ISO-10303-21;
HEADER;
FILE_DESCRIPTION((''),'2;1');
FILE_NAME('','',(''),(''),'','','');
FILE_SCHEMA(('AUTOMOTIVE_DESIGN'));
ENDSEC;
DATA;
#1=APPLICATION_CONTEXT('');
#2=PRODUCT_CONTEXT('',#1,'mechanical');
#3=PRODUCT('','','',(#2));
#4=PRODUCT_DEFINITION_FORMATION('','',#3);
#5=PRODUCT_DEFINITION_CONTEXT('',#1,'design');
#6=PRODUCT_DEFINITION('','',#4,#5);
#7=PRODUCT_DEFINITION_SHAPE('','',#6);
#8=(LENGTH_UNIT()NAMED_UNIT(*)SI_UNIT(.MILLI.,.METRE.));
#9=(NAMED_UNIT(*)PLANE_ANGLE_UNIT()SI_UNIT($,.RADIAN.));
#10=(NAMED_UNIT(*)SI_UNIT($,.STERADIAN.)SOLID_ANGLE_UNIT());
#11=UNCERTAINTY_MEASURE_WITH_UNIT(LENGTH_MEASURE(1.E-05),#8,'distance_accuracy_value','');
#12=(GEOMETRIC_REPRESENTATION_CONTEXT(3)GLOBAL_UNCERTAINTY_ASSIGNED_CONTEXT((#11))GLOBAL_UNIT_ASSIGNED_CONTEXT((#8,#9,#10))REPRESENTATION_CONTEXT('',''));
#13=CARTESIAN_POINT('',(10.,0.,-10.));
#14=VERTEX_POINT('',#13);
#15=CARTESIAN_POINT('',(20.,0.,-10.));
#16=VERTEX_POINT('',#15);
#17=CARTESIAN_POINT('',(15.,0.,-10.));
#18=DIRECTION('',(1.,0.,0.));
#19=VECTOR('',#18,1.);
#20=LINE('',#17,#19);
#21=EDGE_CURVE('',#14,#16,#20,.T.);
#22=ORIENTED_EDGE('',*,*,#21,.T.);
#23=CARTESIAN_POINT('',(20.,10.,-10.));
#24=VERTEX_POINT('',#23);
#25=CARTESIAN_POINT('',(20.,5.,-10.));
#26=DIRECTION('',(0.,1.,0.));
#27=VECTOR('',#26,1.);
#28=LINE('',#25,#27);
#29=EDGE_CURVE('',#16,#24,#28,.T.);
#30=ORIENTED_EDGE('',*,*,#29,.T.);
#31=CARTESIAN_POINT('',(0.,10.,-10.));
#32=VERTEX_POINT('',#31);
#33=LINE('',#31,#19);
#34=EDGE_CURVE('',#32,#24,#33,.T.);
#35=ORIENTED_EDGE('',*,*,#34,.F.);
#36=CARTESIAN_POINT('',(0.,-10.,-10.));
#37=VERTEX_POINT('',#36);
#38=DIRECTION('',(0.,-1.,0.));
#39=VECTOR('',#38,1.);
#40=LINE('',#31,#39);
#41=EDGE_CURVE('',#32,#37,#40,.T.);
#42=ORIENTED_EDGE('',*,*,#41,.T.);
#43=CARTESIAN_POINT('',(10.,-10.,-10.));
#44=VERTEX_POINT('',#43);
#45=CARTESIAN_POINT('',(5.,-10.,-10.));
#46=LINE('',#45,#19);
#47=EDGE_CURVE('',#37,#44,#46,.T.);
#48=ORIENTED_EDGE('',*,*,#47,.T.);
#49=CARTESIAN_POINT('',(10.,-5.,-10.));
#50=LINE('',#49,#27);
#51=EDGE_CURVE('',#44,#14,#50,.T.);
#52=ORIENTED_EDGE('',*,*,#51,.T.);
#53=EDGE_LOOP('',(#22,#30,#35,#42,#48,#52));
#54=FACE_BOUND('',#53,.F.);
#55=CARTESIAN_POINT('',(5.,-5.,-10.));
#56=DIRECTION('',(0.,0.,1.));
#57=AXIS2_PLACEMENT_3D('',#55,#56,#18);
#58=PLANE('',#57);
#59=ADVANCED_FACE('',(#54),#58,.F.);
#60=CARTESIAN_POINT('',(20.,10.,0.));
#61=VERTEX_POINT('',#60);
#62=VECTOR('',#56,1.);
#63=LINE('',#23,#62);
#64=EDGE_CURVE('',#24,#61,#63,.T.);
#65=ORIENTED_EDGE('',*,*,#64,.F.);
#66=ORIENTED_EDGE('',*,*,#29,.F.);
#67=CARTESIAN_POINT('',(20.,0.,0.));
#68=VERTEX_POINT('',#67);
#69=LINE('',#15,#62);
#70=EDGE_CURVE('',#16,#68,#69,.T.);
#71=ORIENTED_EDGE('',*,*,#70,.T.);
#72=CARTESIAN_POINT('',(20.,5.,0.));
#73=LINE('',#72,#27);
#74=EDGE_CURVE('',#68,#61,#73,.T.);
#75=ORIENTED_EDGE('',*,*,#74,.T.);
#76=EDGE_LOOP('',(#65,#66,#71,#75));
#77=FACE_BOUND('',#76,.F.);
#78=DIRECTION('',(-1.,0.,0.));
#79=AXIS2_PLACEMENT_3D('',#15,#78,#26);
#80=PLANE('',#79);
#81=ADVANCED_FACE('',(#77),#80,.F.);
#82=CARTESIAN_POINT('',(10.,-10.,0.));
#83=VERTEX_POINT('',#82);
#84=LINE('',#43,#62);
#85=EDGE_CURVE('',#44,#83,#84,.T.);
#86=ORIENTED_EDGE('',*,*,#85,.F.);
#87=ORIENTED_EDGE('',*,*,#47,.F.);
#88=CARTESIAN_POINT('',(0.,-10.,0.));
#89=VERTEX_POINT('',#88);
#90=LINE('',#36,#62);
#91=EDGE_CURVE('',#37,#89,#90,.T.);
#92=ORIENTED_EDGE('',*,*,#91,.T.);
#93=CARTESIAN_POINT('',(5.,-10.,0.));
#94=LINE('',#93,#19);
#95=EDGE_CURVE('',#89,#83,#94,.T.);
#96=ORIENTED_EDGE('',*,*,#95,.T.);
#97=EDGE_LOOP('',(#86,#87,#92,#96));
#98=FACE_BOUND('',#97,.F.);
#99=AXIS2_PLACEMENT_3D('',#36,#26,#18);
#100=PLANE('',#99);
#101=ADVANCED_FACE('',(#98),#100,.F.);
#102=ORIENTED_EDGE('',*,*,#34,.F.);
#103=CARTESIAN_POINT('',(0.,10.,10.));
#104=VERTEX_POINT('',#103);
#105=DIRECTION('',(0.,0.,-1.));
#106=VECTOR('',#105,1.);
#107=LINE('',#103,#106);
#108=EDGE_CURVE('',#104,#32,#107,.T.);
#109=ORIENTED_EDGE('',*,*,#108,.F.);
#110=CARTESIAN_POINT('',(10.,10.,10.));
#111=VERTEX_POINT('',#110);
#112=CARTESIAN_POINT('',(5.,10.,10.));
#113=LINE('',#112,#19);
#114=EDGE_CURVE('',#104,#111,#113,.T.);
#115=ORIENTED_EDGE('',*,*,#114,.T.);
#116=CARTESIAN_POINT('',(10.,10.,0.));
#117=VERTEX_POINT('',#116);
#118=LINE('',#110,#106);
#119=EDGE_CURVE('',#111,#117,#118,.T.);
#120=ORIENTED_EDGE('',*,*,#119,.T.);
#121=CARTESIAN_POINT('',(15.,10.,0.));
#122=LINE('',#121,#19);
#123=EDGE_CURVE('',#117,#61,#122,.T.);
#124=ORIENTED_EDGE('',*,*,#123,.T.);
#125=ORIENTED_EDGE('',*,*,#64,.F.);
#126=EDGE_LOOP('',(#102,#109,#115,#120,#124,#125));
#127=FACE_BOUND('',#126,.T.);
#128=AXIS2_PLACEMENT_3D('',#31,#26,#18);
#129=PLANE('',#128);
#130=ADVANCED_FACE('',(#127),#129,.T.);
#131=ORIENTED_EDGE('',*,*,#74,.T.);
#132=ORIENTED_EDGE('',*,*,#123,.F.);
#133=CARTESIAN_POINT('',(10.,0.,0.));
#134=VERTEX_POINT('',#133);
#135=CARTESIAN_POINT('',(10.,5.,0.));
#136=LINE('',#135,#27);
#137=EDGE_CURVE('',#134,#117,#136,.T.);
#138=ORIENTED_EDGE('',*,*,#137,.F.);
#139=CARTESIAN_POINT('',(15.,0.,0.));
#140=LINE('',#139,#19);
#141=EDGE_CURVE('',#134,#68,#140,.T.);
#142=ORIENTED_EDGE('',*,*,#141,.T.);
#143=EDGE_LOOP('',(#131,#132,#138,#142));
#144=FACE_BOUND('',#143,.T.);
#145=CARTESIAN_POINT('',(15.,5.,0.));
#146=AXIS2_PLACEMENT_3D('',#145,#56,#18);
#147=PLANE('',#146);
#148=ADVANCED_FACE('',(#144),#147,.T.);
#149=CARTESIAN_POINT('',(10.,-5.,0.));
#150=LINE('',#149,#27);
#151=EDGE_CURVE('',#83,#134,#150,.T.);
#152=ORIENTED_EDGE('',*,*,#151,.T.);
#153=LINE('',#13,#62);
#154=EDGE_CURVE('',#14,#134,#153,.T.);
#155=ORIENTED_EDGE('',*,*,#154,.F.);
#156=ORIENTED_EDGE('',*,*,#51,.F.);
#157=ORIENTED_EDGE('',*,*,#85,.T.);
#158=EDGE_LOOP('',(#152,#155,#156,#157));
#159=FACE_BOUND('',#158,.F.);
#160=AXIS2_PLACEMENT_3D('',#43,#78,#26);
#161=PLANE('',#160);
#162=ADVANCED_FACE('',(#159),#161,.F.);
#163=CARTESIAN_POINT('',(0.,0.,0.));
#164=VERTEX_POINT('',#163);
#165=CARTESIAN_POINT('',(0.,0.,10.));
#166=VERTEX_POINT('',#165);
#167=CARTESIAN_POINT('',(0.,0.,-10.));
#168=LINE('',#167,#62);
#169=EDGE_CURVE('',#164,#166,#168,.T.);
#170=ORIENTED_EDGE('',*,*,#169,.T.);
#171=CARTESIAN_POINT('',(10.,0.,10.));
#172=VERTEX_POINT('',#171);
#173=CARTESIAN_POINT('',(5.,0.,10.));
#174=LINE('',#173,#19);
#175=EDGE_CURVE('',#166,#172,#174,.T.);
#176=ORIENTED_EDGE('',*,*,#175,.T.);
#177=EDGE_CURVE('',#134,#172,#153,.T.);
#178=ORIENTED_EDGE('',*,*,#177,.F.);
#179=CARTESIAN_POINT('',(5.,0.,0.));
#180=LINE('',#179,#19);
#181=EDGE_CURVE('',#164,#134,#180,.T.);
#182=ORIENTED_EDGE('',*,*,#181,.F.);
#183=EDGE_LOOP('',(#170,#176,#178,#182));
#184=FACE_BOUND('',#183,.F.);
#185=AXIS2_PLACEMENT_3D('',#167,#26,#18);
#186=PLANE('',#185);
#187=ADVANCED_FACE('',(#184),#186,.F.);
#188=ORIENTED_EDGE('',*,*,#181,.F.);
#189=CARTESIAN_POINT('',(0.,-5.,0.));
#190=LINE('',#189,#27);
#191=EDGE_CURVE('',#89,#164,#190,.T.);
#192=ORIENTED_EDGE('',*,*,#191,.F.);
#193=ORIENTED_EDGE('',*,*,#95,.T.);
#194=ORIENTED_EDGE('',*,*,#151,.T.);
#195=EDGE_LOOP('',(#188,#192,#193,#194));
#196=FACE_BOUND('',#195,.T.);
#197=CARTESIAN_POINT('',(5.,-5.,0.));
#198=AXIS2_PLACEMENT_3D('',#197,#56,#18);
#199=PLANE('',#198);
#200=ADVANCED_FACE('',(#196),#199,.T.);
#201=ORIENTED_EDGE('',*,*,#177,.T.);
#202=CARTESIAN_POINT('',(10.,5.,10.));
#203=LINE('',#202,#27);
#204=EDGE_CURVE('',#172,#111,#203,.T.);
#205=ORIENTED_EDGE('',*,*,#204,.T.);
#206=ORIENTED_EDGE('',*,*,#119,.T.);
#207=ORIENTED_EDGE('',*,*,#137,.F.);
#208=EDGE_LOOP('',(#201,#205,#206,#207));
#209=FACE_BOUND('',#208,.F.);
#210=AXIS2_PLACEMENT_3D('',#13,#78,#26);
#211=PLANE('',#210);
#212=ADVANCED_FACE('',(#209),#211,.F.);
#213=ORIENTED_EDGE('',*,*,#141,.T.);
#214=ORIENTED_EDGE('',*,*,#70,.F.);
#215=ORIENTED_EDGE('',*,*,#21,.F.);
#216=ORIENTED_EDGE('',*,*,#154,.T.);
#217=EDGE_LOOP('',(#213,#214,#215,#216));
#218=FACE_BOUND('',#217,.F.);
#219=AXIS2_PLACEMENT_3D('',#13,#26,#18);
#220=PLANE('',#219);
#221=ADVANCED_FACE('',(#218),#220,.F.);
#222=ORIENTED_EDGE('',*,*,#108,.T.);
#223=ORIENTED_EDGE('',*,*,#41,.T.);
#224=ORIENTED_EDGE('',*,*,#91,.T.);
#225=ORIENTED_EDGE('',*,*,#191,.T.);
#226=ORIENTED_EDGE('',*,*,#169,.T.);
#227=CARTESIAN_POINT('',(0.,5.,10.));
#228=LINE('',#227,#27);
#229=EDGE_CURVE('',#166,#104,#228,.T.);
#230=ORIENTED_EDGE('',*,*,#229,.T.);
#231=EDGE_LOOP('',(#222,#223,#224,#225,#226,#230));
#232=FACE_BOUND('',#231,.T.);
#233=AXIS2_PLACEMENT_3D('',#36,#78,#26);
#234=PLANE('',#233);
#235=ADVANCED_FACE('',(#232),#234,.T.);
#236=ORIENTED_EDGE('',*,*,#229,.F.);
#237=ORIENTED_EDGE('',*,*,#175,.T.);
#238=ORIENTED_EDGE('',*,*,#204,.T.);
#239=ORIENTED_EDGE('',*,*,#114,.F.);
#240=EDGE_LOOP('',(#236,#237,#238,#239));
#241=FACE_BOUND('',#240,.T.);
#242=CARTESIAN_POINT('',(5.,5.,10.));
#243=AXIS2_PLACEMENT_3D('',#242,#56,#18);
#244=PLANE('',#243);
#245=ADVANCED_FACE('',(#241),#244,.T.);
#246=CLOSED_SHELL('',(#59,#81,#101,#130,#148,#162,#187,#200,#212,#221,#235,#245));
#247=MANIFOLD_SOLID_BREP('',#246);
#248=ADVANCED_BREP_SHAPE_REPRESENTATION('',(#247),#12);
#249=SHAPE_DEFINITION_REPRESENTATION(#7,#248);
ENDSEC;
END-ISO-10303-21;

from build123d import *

# Parameters (mm, degrees)
BOX002_W     = 10
BOX002_H     = 10
BOX002_DEPTH = 10
BOX003_W     = 10
BOX003_H     = 10
BOX003_DEPTH = 10
BOX001_W     = 10
BOX001_H     = 10
BOX001_DEPTH = 10
BOX_W        = 10
BOX_H        = 10
BOX_DEPTH    = 10


with BuildPart() as nivel2_cubo1:
    # Box002 → Box002 (new body)
    with BuildSketch(Plane(origin=(0, -10, -10), x_dir=(1, 0, 0), z_dir=(0, 0, 1))):
        with Locations((5, 5)):
            Rectangle(BOX002_W, BOX002_H)
    extrude(amount=BOX002_DEPTH)


with BuildPart() as fusion001:
    # Box003 → Box003 (new body)
    with BuildSketch(Plane(origin=(10, 0, -10), x_dir=(1, 0, 0), z_dir=(0, 0, 1))):
        with Locations((5, 5)):
            Rectangle(BOX003_W, BOX003_H)
    extrude(amount=BOX003_DEPTH)

    # Fusion001: union Nivel2-Cubo1
    add(nivel2_cubo1.part)


with BuildPart() as nivel2_cubocentro:
    # Box001 → Box001 (new body)
    with BuildSketch(Plane.XY.offset(-10)):
        with Locations((5, 5)):
            Rectangle(BOX001_W, BOX001_H)
    extrude(amount=BOX001_DEPTH)


with BuildPart() as fusion002:
    # Box → Box (new body)
    with BuildSketch(Plane.XY):
        with Locations((5, 5)):
            Rectangle(BOX_W, BOX_H)
    extrude(amount=BOX_DEPTH)

    # Fusion: union Nivel2-Cubocentro
    add(nivel2_cubocentro.part)

    # Fusion002: union Fusion001
    add(fusion001.part)


solid = fusion002.part
